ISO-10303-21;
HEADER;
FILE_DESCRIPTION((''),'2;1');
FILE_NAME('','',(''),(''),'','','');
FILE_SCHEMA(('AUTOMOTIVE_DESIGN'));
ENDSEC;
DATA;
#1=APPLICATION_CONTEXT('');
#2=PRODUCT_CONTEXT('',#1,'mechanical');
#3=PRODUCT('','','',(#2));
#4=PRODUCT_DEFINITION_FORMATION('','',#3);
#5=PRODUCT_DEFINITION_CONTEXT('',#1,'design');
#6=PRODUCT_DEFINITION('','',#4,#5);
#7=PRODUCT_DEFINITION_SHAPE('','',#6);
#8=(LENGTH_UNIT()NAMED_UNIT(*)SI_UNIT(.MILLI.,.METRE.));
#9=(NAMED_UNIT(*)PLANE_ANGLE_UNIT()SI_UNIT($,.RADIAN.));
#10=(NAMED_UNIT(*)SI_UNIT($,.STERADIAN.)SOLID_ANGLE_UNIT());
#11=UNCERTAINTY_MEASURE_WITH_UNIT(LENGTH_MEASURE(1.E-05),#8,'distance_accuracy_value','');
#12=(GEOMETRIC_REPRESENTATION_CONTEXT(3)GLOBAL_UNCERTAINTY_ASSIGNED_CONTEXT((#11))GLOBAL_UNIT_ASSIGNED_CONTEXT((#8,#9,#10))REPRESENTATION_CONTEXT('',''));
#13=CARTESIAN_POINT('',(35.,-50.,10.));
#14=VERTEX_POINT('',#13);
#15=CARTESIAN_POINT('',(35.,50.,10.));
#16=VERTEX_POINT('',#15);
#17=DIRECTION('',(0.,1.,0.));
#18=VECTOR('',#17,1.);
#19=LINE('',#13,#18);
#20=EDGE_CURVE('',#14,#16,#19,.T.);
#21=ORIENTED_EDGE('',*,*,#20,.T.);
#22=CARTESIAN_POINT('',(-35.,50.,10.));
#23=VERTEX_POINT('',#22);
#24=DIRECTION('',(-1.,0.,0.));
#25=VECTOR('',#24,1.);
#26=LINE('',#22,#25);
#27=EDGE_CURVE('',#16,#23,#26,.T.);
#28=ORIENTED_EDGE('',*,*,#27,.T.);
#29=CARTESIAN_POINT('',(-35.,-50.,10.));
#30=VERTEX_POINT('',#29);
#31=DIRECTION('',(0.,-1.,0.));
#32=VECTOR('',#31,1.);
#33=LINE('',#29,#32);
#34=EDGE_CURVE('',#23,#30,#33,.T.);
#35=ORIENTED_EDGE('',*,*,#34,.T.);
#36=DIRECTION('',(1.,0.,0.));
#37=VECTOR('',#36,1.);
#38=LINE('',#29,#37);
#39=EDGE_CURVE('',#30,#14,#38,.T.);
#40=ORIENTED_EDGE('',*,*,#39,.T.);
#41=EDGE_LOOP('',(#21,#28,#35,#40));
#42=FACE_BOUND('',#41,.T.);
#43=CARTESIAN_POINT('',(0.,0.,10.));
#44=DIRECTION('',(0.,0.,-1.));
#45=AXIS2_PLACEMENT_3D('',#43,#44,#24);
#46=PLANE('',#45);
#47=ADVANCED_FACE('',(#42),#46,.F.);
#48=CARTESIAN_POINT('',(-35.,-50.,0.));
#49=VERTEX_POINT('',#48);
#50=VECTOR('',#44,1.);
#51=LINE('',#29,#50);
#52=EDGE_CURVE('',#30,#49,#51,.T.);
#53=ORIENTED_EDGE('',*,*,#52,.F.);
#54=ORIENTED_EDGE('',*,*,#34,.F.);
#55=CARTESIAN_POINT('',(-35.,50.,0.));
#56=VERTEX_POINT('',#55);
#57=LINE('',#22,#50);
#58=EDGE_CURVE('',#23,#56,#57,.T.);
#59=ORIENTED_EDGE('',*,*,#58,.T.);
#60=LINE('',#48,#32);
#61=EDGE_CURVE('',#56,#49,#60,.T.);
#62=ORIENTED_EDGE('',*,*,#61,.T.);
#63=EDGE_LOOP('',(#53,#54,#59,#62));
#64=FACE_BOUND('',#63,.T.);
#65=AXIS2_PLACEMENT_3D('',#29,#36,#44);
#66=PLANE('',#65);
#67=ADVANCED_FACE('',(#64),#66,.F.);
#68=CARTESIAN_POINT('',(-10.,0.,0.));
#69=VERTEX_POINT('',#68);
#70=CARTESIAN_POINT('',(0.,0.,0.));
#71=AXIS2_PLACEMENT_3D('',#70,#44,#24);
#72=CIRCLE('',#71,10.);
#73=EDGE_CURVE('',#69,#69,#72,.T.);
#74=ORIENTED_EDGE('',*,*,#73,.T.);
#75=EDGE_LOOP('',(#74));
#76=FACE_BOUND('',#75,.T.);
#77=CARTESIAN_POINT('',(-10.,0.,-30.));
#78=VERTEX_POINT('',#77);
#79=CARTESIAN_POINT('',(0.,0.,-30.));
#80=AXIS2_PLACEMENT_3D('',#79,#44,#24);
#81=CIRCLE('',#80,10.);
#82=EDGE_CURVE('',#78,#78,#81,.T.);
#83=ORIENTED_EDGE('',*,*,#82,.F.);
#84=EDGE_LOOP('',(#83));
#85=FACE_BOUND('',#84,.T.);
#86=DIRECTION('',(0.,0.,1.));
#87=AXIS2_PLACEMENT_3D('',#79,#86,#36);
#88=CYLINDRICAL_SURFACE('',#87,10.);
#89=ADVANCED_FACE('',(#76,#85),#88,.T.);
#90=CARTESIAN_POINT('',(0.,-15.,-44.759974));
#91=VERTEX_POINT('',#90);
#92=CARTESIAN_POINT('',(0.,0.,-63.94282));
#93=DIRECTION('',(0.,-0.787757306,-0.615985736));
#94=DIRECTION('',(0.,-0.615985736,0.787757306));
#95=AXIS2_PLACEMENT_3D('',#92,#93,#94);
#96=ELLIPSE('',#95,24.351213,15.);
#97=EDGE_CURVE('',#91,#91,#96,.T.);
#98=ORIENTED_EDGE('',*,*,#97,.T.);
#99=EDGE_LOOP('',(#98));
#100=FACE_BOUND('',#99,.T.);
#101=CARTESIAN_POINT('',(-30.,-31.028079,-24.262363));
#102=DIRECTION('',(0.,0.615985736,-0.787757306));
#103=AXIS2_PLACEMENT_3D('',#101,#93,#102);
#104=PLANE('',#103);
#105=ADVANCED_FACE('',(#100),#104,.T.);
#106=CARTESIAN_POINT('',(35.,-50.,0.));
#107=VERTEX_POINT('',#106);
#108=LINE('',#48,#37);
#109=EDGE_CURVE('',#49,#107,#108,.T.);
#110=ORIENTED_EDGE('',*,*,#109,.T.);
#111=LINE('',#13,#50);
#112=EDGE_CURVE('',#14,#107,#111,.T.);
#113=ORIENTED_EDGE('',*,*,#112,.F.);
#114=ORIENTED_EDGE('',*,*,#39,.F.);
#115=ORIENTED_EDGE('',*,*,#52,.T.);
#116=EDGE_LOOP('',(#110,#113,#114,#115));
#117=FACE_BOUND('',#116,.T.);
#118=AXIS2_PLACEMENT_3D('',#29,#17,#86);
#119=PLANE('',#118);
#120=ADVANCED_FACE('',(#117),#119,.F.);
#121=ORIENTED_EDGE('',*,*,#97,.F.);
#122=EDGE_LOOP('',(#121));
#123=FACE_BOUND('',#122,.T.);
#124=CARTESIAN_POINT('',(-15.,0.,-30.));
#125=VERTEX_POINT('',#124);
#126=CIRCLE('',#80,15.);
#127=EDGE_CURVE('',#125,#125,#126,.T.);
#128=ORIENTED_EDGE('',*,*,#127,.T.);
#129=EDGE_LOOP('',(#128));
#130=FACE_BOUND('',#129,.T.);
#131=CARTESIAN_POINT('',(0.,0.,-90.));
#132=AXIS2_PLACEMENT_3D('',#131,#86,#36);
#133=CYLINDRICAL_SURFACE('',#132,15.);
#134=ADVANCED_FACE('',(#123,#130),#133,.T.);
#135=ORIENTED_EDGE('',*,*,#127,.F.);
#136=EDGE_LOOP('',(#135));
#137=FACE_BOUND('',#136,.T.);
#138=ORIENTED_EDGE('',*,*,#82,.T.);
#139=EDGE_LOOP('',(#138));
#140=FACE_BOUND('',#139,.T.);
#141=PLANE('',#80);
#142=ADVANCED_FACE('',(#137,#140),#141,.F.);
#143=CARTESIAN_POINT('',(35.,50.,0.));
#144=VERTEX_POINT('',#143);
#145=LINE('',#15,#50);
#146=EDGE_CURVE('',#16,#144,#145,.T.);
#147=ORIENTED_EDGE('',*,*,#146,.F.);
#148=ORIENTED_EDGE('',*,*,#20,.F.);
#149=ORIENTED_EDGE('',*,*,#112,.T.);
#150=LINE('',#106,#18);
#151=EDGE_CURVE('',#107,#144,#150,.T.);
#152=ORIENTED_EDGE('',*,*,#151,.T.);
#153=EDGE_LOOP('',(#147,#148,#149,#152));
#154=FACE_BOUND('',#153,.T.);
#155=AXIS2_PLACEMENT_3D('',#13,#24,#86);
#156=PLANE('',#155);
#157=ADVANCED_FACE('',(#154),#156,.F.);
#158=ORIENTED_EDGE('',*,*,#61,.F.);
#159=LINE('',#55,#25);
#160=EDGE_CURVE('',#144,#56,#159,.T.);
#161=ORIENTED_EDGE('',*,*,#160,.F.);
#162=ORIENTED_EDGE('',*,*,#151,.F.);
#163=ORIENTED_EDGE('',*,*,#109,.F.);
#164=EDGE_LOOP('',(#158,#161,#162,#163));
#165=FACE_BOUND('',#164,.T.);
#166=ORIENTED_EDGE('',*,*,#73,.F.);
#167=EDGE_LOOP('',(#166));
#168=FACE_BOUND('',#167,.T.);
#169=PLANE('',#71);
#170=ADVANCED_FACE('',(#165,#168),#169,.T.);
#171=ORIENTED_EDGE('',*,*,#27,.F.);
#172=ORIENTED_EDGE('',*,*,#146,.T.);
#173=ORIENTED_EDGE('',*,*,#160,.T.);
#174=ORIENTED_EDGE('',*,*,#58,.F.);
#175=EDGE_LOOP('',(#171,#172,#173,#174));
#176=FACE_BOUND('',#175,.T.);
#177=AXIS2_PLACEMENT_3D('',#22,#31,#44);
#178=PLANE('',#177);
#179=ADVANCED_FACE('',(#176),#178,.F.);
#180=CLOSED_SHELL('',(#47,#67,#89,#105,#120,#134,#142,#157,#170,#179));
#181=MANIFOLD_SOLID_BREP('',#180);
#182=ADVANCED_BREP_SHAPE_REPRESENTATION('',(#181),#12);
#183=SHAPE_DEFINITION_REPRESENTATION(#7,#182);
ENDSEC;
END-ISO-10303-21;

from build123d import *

# Parameters (mm, degrees)
SZKIC1_W                    = 70
SZKIC1_H                    = 100
DODANIE_WYCI_GNI_CIE1_DEPTH = 10
SZKIC2_R                    = 10
DODANIE_WYCI_GNI_CIE2_DEPTH = 30
SZKIC3_R                    = 15
DODANIE_WYCI_GNI_CIE3_DEPTH = 60
WYTNIJ_WYCI_GNI_CIE1_DEPTH  = 30


with BuildPart() as part:
    # Szkic1 → Dodanie-wyciągnięcie1 (new body)
    with BuildSketch(Plane.XY):
        Rectangle(SZKIC1_W, SZKIC1_H)
    extrude(amount=DODANIE_WYCI_GNI_CIE1_DEPTH)

    # Szkic2 → Dodanie-wyciągnięcie2 (add)
    with BuildSketch(Plane(origin=(0, 0, 0), x_dir=(-1, 0, 0), z_dir=(0, 0, -1))):
        Circle(SZKIC2_R)
    extrude(amount=DODANIE_WYCI_GNI_CIE2_DEPTH)

    # Szkic3 → Dodanie-wyciągnięcie3 (add)
    with BuildSketch(Plane(origin=(0, 0, -30), x_dir=(-1, 0, 0), z_dir=(0, 0, -1))):
        Circle(SZKIC3_R)
    extrude(amount=DODANIE_WYCI_GNI_CIE3_DEPTH)

    # Szkic4 → Wytnij-wyciągnięcie1 (cut, symmetric)
    with BuildSketch(Plane(origin=(0, 0, 0), x_dir=(0, 0, -1), z_dir=(1, 0, 0))):
        Polygon((83.125666523, 15), (44.759974282, -15), (90, -15), (90, 15), align=None)
    extrude(amount=WYTNIJ_WYCI_GNI_CIE1_DEPTH, both=True, mode=Mode.SUBTRACT)


solid = part.part
